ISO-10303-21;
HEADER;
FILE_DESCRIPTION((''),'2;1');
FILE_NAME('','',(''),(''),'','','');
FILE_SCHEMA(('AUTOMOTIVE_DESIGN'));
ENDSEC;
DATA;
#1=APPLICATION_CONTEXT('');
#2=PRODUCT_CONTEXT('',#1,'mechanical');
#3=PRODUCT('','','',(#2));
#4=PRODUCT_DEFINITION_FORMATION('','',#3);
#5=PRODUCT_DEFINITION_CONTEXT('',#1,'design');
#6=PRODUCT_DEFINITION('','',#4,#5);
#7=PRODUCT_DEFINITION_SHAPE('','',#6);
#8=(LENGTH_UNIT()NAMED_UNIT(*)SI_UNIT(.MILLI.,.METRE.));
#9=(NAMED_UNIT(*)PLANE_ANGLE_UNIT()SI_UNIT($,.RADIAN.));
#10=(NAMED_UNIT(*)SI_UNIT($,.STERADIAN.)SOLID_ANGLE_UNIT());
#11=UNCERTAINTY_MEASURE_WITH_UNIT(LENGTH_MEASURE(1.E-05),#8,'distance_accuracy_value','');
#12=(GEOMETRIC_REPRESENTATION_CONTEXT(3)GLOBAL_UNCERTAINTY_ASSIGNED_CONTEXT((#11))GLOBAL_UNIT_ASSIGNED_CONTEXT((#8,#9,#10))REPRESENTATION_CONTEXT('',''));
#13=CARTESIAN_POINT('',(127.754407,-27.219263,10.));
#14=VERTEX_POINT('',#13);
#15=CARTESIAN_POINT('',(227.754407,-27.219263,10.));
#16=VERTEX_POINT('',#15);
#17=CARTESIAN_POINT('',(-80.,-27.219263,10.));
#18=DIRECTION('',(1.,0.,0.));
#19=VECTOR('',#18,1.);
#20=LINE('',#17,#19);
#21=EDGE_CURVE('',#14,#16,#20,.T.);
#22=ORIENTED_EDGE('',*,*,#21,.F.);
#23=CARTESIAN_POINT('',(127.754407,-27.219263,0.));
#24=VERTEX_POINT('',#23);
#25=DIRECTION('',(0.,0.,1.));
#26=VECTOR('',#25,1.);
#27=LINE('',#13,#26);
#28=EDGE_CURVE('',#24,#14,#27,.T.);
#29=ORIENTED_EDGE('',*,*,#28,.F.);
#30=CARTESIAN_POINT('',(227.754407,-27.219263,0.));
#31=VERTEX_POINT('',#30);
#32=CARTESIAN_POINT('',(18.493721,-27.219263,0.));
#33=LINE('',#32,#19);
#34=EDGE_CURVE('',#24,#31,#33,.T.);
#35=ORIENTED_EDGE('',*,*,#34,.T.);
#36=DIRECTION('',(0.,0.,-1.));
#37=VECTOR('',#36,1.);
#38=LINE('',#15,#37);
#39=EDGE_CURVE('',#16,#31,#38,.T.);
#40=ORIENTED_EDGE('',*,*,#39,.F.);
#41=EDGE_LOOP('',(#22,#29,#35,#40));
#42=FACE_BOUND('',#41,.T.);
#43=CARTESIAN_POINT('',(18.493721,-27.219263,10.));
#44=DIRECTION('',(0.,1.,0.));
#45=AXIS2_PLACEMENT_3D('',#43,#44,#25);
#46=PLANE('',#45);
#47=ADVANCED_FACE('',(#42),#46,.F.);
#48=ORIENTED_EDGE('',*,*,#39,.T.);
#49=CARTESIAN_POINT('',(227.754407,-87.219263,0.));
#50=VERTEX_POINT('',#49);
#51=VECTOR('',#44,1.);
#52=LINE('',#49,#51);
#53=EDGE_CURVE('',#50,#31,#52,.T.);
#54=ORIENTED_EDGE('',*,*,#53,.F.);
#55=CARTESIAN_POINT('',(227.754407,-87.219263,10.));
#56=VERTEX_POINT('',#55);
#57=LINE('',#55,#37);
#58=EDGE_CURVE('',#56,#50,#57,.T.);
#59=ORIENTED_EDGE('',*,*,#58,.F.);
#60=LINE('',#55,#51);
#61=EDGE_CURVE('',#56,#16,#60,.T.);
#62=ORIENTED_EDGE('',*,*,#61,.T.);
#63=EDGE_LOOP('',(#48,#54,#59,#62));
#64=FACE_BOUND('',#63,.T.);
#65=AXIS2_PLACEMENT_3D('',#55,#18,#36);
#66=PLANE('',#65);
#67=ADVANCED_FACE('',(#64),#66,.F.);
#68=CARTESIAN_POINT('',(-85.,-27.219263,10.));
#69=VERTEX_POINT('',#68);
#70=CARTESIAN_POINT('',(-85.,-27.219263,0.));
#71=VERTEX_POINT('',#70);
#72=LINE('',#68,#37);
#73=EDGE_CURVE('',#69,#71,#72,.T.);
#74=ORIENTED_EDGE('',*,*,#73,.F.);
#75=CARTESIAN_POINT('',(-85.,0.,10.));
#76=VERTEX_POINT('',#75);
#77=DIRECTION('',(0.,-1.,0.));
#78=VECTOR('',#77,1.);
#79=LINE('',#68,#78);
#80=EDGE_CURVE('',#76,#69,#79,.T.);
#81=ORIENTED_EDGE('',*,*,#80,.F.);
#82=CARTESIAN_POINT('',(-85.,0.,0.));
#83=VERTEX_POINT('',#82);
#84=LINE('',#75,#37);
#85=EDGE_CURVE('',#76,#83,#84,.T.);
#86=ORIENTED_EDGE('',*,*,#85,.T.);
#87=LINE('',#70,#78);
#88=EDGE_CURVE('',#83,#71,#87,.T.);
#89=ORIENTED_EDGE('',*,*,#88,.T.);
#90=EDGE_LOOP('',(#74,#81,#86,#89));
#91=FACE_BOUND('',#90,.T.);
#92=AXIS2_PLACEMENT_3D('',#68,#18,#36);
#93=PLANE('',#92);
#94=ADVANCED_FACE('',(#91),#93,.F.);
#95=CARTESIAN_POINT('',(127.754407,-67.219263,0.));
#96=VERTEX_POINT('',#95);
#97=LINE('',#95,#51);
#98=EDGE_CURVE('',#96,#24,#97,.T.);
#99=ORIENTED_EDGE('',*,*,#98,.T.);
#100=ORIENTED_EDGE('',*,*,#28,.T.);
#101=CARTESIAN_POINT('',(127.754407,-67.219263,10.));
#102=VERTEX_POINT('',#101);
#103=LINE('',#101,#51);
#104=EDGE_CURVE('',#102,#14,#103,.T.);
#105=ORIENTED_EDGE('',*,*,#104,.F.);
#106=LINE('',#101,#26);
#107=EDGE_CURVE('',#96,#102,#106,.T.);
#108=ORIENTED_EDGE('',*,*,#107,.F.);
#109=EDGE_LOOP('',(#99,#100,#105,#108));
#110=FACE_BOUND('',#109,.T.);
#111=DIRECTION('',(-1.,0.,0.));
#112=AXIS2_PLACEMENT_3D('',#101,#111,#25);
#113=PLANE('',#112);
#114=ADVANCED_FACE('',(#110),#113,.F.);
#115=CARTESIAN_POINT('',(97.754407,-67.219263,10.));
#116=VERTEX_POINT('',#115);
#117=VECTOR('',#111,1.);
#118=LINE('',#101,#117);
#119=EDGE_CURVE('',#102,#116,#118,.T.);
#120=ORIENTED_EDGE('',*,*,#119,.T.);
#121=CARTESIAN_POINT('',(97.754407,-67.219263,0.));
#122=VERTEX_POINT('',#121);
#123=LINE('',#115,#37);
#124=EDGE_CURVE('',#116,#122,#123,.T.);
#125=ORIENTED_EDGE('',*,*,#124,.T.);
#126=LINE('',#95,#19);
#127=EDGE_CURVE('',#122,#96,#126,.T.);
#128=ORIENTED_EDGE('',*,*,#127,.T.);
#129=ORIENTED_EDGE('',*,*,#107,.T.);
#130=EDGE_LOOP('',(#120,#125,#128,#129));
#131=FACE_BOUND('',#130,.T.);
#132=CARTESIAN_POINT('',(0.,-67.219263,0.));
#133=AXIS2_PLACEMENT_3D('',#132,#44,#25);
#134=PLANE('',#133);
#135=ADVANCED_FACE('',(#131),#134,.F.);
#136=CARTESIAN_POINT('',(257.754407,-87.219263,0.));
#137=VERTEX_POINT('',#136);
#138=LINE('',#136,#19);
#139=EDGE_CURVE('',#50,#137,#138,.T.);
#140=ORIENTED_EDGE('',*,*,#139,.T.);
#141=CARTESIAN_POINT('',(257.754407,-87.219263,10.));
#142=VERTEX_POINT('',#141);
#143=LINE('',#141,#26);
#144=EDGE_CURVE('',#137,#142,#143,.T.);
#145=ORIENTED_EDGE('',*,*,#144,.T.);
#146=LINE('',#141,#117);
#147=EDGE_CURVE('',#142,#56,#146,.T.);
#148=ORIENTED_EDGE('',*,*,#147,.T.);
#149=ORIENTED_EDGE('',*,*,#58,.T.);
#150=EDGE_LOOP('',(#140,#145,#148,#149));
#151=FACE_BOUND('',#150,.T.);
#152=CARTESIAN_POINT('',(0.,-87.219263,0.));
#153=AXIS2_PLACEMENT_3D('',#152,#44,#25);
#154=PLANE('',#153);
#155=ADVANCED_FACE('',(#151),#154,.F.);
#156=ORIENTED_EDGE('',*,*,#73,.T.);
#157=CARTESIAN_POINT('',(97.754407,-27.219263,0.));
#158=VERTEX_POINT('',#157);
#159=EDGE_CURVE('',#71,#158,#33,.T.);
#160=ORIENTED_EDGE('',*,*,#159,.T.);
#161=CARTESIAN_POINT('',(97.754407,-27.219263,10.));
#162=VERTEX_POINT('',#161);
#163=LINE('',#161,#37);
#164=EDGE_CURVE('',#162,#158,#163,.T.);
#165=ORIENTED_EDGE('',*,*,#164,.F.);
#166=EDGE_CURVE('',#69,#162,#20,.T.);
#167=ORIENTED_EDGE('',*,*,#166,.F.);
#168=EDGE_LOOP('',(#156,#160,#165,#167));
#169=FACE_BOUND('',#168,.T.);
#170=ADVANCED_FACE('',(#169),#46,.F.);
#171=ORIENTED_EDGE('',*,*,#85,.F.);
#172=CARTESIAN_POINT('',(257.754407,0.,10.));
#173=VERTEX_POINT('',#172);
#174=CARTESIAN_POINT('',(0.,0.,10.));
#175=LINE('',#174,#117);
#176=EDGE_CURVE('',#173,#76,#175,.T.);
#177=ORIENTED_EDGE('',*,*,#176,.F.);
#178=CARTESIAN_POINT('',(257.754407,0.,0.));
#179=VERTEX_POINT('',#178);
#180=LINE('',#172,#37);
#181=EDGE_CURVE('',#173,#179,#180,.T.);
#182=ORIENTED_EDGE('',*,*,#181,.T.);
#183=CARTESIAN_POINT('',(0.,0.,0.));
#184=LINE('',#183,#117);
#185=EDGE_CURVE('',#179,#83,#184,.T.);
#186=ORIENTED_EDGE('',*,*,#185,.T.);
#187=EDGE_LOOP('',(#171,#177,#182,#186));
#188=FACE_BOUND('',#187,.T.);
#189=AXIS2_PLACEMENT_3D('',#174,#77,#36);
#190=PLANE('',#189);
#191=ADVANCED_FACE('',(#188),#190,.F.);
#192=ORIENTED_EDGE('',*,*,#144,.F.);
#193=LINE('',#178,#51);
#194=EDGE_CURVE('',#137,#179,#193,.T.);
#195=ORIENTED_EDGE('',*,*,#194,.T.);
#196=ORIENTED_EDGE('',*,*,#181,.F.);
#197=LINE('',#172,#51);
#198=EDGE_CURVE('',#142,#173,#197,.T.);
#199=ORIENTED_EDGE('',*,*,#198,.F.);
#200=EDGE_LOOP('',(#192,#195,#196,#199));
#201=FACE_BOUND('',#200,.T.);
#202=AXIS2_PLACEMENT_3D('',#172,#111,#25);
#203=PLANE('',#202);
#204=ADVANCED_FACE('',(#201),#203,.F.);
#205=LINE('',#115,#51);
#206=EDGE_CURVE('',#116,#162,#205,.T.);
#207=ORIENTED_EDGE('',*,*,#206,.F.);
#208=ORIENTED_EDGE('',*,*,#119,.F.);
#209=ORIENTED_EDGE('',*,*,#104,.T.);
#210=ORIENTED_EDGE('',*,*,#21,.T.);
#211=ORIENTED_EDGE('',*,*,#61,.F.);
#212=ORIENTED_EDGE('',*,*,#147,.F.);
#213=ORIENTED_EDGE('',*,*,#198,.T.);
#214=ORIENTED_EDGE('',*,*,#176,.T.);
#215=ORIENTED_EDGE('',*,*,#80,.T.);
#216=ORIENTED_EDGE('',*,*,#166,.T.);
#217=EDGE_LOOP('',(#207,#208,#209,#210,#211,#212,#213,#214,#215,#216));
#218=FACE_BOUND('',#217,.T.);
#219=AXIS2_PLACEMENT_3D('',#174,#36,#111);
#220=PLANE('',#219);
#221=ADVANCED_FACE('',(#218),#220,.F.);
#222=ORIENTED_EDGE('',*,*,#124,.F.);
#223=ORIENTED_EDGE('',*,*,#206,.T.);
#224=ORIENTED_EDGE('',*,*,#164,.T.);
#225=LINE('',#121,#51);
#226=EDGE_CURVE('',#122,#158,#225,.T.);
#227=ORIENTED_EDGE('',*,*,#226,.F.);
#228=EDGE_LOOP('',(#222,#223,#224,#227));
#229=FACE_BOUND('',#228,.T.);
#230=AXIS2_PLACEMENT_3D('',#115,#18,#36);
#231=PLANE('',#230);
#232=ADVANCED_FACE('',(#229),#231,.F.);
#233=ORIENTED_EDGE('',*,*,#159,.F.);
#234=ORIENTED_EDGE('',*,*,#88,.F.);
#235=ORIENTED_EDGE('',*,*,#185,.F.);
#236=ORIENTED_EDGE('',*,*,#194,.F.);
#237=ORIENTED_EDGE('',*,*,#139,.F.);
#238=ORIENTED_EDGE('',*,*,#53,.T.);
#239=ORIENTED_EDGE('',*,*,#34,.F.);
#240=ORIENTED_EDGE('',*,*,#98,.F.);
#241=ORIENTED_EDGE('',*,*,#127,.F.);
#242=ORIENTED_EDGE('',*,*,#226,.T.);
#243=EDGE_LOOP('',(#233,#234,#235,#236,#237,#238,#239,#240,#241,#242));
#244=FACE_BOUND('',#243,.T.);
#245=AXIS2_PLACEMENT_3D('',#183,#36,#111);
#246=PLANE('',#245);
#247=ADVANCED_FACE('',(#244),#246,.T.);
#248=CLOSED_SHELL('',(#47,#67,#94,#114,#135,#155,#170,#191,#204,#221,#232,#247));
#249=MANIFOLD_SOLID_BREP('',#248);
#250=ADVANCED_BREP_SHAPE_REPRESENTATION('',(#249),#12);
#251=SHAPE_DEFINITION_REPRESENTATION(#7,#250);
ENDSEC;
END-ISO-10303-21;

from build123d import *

# Parameters (mm, degrees)
BOSS_EXTRUDE1_DEPTH = 10
SKETCH2_W           = 30
SKETCH2_H           = 10
BOSS_EXTRUDE2_DEPTH = 60
SKETCH3_W           = 30
SKETCH3_H           = 10
BOSS_EXTRUDE3_DEPTH = 40


with BuildPart() as part:
    # Sketch1 → Boss-Extrude1 (new body)
    with BuildSketch(Plane.XY):
        Polygon((0, 0), (257.754406597, 0), (257.754406597, -27.219263415), (18.493720775, -27.219263415), (-56.767393161, -27.219263415), (-80, -27.219263415), (-85, -27.219263415), (-85, 0), (-80, 0), (-70, 0), align=None)
    extrude(amount=BOSS_EXTRUDE1_DEPTH)

    # Sketch2 → Boss-Extrude2 (add)
    with BuildSketch(Plane(origin=(0, -27.219263415, 0), x_dir=(-1, 0, 0), z_dir=(0, -1, 0))):
        with Locations((-242.754406597, -5)):
            Rectangle(SKETCH2_W, SKETCH2_H)
    extrude(amount=BOSS_EXTRUDE2_DEPTH)

    # Sketch3 → Boss-Extrude3 (add)
    with BuildSketch(Plane(origin=(0, -27.219263415, 0), x_dir=(-1, 0, 0), z_dir=(0, -1, 0))):
        with Locations((-112.754406597, -5)):
            Rectangle(SKETCH3_W, SKETCH3_H)
    extrude(amount=BOSS_EXTRUDE3_DEPTH)


solid = part.part
